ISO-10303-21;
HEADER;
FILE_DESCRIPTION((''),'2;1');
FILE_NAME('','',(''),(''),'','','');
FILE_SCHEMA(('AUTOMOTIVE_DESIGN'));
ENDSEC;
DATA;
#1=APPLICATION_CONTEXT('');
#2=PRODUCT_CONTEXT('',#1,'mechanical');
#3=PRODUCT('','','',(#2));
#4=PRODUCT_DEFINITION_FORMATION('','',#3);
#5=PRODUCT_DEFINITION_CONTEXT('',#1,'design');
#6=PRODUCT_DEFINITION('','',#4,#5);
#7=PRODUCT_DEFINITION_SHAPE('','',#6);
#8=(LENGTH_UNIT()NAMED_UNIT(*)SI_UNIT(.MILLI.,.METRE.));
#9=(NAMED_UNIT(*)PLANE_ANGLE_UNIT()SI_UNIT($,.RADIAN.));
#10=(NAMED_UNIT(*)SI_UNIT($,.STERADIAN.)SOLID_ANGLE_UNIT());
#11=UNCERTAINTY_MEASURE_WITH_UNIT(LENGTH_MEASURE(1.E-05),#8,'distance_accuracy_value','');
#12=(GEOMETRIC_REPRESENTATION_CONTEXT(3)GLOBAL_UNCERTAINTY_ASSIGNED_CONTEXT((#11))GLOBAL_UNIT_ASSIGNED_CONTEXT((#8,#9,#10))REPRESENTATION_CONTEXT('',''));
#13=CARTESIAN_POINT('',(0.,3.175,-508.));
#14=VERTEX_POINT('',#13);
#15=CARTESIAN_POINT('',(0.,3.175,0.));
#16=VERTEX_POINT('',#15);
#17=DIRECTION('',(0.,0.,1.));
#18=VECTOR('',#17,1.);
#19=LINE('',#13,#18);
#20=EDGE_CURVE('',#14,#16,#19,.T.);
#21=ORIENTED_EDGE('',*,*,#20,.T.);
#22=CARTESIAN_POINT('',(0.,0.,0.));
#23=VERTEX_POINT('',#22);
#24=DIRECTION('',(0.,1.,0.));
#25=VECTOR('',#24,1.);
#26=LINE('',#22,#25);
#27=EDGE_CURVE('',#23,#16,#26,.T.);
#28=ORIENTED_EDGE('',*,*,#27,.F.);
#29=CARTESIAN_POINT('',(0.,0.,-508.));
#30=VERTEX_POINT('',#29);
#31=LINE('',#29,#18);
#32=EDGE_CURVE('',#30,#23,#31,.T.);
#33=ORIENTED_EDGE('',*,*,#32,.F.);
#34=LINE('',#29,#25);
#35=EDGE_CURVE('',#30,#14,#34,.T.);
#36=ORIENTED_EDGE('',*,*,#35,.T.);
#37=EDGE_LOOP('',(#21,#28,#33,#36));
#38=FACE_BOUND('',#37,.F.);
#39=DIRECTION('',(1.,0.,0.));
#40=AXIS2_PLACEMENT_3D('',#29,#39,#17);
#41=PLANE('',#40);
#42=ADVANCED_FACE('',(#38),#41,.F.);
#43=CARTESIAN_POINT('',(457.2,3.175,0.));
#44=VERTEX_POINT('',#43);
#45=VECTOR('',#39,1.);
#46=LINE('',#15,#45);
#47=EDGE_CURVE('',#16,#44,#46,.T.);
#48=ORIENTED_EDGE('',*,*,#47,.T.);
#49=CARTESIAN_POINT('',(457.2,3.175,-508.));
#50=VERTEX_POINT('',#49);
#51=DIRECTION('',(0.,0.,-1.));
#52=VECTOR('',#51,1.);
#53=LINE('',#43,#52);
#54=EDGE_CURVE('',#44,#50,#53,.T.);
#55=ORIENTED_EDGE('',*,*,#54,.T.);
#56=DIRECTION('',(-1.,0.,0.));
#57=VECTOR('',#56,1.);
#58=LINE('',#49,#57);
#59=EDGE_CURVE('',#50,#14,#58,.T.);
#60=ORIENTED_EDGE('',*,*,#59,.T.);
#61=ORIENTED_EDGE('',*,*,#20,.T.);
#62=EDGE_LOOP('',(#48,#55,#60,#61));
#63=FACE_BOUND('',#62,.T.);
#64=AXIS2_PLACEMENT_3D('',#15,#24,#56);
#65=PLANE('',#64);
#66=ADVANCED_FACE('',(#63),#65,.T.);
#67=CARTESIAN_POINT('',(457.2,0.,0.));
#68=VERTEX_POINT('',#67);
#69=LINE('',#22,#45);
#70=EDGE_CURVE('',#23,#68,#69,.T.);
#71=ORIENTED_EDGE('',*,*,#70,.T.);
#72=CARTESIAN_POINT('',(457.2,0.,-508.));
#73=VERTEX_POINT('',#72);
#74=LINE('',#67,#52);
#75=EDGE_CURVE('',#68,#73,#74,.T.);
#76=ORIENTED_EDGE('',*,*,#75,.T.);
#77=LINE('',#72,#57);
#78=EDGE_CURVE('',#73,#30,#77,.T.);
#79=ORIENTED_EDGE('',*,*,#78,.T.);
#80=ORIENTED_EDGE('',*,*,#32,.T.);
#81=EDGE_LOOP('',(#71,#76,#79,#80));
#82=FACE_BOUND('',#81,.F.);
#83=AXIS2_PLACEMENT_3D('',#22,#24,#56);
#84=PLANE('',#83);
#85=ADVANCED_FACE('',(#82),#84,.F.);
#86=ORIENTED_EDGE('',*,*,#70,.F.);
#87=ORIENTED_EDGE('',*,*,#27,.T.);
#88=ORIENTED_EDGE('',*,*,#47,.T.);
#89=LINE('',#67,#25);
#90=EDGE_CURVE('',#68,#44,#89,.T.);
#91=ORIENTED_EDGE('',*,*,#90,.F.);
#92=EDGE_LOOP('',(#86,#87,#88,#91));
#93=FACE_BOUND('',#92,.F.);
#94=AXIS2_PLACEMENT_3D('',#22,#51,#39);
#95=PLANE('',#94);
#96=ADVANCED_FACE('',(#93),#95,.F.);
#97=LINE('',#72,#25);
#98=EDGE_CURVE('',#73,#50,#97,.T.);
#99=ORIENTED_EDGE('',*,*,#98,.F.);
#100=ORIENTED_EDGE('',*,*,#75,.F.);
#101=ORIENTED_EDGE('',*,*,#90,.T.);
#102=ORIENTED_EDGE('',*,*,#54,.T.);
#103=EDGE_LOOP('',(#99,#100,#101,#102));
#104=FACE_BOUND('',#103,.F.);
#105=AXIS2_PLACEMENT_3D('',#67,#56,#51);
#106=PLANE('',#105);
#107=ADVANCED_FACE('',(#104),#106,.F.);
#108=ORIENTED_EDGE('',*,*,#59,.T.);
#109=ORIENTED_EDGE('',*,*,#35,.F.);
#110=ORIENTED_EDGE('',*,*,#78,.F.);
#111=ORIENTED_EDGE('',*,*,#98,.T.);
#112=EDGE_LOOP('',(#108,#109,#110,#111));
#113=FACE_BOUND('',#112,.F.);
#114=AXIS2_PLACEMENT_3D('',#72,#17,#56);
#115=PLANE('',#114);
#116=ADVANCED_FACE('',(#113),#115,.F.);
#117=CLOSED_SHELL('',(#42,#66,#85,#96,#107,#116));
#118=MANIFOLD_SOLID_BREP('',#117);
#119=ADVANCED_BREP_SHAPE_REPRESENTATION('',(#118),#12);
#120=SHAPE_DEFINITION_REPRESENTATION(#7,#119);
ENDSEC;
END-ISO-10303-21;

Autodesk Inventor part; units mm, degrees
ref_plane "YZ Plane" through (0, 0, 0) normal (1, 0, 0) x (0, 1, 0)
ref_plane "XZ Plane" through (0, 0, 0) normal (0, 1, 0) x (-1, 0, 0)
ref_plane "XY Plane" through (0, 0, 0) normal (0, 0, 1) x (1, 0, 0)
sketch "Sketch1" plane through (0, 0, 0) normal (0, 1, 0) x (-1, 0, 0)
  line L0 (0, 0) -> (-457.2, 0)
  line L1 (-457.2, 0) -> (-457.2, -508)
  line L2 (-457.2, -508) -> (0, -508)
  line L3 (0, -508) -> (0, 0)
  dimension "d0" = 457.2
  dimension "d1" = 508
  dimension "d2" = 457.2
extrude "Extrusion1" add sketch "Sketch1" along normal blind 3.175
properties part number "Base"
